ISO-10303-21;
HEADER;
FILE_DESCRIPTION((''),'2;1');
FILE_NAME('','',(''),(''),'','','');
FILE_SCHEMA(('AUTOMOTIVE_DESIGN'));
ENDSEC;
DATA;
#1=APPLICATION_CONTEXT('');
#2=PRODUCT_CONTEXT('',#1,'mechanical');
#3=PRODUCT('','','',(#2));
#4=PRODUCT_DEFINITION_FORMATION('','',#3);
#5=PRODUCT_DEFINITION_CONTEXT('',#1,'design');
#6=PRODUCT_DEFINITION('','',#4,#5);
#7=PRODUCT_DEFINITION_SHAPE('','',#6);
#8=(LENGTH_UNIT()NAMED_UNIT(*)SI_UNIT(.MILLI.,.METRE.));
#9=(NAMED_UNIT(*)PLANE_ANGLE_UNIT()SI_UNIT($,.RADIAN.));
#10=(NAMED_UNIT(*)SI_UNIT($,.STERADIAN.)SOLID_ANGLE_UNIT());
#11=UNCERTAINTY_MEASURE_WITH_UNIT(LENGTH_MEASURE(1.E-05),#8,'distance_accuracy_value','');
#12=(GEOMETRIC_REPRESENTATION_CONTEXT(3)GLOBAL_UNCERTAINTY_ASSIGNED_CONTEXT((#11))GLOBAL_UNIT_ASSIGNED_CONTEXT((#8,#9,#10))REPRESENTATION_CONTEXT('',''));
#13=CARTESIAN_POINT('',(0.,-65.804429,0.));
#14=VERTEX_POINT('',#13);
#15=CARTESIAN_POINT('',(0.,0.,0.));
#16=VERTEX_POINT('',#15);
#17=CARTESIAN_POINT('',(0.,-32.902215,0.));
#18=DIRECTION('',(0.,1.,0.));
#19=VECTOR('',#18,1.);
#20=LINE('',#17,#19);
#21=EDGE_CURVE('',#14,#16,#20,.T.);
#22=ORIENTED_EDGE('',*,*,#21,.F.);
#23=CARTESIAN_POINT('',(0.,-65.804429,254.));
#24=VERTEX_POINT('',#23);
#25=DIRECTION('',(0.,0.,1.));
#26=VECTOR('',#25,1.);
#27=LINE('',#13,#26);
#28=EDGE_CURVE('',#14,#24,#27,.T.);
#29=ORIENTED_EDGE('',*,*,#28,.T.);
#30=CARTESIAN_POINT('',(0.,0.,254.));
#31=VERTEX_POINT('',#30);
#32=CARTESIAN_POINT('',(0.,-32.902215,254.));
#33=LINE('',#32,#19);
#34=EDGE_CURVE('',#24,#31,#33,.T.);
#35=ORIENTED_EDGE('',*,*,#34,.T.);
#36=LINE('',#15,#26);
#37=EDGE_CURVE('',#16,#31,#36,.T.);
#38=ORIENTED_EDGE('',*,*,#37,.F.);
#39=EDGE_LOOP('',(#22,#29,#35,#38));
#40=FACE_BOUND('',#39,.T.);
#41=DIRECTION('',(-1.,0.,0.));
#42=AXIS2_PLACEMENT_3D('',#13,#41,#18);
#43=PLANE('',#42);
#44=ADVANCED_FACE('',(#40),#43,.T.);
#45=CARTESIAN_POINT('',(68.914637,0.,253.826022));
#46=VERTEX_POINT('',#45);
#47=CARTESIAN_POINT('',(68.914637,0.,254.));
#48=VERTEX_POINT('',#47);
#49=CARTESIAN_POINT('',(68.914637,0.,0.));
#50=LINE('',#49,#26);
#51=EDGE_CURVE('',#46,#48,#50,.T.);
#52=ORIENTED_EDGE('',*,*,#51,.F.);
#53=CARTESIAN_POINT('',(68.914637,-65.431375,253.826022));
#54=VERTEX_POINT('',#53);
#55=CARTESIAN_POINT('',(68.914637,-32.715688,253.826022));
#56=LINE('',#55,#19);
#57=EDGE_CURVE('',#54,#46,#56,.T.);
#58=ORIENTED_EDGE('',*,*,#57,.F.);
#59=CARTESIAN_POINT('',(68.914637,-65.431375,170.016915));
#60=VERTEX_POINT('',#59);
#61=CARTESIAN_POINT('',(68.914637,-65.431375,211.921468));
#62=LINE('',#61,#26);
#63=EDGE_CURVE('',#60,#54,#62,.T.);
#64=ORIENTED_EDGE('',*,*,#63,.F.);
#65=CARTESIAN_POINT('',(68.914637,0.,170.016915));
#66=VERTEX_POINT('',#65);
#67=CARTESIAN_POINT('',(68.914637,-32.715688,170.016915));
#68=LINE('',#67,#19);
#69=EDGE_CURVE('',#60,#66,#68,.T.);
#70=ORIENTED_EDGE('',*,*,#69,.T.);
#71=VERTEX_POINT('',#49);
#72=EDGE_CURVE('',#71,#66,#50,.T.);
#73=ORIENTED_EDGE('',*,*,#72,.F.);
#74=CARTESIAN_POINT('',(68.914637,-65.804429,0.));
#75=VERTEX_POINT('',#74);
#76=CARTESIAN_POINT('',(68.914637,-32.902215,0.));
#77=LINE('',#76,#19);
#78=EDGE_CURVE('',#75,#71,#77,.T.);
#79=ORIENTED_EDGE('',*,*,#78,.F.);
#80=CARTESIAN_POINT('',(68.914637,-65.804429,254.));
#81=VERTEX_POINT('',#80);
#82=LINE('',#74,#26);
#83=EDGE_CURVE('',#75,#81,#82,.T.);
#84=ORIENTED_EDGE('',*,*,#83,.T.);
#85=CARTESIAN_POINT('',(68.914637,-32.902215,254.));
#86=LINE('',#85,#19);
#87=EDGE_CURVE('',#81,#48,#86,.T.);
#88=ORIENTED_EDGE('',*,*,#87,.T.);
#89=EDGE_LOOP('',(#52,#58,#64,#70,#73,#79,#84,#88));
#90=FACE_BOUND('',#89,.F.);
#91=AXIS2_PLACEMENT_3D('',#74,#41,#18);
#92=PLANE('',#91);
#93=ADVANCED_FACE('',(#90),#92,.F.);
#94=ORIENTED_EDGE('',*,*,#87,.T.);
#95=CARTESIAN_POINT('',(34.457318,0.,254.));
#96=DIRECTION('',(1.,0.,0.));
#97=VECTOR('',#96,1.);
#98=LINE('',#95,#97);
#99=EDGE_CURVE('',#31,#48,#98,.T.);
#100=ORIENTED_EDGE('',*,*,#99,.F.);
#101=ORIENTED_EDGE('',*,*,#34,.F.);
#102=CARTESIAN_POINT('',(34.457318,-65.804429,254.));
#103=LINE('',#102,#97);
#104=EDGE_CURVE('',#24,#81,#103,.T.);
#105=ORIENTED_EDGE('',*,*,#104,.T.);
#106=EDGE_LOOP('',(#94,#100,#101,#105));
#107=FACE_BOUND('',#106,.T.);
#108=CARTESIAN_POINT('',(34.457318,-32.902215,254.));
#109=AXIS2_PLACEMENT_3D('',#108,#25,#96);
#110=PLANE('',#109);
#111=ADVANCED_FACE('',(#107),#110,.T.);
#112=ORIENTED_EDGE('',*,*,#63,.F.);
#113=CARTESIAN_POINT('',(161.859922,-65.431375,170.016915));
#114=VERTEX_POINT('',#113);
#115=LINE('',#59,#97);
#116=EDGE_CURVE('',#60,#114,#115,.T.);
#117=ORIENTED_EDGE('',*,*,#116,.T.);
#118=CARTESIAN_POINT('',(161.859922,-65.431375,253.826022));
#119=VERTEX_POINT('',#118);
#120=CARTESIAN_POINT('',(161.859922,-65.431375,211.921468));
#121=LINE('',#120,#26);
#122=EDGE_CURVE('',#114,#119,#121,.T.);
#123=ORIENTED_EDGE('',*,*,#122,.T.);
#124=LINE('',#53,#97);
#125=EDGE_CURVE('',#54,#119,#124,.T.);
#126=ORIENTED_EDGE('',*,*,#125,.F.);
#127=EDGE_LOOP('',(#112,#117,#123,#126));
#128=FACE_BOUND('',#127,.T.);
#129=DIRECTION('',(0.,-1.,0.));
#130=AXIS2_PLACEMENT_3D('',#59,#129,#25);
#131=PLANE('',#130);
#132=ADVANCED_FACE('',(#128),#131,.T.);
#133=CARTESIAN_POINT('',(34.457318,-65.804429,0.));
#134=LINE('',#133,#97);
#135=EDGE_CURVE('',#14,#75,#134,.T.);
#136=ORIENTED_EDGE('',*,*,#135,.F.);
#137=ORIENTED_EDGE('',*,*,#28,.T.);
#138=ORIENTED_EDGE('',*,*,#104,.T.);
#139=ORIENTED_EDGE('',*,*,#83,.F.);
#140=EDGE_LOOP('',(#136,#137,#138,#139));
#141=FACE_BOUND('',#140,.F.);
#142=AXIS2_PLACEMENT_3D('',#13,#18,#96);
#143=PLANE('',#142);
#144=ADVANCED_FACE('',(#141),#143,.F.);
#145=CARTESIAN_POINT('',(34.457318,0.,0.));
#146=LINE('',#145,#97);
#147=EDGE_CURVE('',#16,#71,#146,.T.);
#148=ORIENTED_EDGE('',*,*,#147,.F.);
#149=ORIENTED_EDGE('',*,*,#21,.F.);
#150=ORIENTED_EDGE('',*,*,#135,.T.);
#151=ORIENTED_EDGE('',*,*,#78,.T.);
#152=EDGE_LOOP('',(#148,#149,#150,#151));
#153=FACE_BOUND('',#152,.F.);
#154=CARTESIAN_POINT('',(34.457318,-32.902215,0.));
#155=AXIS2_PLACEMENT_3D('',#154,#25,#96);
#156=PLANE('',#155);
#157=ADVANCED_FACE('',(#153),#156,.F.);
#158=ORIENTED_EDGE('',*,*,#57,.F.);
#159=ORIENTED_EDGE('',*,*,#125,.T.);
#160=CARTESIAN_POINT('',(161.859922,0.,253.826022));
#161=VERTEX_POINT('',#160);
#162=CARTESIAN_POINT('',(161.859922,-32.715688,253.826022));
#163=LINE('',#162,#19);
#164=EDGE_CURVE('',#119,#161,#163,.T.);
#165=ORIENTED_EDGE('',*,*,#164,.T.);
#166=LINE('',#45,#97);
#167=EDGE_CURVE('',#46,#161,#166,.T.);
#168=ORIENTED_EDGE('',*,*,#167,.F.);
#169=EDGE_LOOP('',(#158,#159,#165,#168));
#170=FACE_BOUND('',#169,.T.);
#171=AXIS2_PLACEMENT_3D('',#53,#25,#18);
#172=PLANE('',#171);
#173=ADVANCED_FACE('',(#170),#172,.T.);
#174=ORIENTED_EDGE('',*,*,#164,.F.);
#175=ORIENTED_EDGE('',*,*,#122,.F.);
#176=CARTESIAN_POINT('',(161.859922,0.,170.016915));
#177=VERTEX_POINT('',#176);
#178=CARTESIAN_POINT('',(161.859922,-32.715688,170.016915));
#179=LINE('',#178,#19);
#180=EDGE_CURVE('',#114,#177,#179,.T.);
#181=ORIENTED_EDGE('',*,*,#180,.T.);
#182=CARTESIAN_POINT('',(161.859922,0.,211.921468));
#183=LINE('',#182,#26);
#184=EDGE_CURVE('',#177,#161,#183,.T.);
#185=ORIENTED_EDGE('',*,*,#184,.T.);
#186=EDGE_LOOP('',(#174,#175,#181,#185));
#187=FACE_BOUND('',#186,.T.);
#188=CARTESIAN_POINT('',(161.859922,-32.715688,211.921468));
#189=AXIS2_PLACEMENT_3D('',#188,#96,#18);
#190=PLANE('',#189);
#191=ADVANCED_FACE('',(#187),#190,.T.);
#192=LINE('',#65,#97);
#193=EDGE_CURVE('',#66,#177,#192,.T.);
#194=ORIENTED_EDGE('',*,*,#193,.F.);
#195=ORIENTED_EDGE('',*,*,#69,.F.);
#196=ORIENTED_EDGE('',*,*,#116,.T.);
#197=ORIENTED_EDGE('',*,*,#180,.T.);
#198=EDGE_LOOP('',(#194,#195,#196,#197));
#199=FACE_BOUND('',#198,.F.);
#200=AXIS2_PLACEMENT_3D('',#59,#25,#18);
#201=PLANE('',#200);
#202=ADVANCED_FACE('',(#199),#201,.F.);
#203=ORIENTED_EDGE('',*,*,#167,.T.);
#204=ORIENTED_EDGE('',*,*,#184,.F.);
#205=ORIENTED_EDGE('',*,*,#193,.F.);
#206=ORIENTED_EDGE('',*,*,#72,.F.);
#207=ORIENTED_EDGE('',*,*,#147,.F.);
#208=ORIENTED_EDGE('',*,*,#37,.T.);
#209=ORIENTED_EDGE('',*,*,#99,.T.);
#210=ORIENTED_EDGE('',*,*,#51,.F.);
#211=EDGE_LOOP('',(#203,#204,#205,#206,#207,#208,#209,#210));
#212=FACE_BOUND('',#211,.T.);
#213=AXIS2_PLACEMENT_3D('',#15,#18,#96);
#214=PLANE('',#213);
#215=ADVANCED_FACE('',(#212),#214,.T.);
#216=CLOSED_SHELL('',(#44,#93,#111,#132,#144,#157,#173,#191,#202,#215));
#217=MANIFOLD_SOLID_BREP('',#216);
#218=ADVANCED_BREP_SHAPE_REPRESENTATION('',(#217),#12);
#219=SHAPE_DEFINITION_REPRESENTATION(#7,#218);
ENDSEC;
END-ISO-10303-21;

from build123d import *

# Parameters (mm, degrees)
F0_W     = 68.9146369696
F0_H     = 65.8044293523
F1_DEPTH = 254
F3_W     = 65.4313750565
F3_H     = 83.809107542
F4_DEPTH = 92.9452851415


with BuildPart() as f1:
    # F0 (on Top) → F1 (new body)
    with BuildSketch(Plane.XY):
        with Locations((34.4573184848, -32.9022146761)):
            Rectangle(F0_W, F0_H)
    extrude(amount=F1_DEPTH)

    # F3 (on face) → F4 (join)
    with BuildSketch(Plane.YZ.offset(68.9146369696)):
        with Locations((-32.7156875283, 211.9214683771)):
            Rectangle(F3_W, F3_H)
    extrude(amount=F4_DEPTH)


solid = f1.part
